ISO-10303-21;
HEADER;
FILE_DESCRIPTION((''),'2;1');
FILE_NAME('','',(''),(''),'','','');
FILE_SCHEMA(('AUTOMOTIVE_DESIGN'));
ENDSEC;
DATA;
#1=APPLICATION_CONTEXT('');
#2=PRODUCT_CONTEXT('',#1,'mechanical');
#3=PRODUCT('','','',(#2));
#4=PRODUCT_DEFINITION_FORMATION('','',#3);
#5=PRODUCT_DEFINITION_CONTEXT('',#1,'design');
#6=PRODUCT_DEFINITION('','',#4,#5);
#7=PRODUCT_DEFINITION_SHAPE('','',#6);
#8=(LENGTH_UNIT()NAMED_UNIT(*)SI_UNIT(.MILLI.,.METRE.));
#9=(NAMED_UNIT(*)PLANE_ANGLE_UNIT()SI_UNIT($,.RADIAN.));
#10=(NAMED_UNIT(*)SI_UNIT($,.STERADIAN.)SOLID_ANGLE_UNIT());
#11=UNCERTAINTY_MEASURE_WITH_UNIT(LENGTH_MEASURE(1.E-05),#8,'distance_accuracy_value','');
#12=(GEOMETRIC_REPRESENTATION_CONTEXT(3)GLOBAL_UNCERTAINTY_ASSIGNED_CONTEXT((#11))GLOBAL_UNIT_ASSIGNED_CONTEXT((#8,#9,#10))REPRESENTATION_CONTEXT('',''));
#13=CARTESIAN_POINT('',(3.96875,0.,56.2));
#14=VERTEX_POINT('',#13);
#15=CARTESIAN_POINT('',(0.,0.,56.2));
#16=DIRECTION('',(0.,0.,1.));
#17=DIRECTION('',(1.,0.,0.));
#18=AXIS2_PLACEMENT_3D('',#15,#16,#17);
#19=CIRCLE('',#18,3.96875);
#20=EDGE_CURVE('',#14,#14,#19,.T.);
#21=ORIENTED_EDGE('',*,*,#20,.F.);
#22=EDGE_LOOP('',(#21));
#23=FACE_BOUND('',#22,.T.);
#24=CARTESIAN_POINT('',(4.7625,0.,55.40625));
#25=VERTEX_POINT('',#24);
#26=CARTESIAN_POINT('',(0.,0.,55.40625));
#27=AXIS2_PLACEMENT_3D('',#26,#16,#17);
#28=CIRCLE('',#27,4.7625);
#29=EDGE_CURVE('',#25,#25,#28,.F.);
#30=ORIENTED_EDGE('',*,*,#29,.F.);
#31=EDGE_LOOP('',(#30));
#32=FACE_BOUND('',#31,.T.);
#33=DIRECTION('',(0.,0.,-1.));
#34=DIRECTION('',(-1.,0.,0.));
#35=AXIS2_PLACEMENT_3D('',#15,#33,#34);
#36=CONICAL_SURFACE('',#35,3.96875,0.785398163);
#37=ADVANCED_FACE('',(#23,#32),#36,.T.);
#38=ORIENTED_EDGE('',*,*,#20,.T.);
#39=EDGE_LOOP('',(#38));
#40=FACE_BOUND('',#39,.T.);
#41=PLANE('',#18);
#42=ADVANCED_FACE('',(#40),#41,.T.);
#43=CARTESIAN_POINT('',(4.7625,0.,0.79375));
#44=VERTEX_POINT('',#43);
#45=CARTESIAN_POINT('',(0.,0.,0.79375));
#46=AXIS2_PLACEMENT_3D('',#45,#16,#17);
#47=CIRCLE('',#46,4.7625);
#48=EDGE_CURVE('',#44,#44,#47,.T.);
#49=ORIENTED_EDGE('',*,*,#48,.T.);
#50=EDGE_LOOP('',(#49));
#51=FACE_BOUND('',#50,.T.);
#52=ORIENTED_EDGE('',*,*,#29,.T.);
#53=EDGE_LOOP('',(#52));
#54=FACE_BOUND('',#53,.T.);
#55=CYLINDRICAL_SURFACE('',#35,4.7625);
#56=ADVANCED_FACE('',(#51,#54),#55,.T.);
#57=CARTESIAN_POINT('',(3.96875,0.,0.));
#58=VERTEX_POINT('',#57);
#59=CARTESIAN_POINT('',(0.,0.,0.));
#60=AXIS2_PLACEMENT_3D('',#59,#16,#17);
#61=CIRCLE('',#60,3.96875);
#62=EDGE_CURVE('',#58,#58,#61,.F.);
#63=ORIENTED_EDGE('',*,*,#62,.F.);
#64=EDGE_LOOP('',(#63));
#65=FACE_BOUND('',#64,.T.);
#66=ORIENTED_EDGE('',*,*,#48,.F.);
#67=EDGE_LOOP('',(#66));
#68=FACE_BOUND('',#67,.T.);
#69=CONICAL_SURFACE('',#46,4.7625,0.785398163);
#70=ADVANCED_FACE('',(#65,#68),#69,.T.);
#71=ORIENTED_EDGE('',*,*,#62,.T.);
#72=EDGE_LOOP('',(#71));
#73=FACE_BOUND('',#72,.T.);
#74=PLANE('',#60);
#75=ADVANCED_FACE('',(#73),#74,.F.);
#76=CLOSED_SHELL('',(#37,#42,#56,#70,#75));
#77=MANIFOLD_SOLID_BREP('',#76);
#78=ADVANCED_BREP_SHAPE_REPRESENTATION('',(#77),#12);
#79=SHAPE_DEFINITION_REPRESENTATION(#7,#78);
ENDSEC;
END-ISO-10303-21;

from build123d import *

# Parameters (mm, degrees)
SKETCH1_R           = 4.7625
BOSS_EXTRUDE1_DEPTH = 56.2
CHAMFER1_SIZE       = 0.79375


with BuildPart() as part:
    # Sketch1 → Boss-Extrude1 (new body)
    with BuildSketch(Plane.XY):
        Circle(SKETCH1_R)
    extrude(amount=BOSS_EXTRUDE1_DEPTH)

    # Chamfer1
    chamfer1_edges = [part.edges().sort_by_distance(p)[0] for p in [
        (-4.7625, 0, 0),
        (-4.7625, 0, 56.2),
    ]]
    chamfer(chamfer1_edges, length=CHAMFER1_SIZE)


solid = part.part
